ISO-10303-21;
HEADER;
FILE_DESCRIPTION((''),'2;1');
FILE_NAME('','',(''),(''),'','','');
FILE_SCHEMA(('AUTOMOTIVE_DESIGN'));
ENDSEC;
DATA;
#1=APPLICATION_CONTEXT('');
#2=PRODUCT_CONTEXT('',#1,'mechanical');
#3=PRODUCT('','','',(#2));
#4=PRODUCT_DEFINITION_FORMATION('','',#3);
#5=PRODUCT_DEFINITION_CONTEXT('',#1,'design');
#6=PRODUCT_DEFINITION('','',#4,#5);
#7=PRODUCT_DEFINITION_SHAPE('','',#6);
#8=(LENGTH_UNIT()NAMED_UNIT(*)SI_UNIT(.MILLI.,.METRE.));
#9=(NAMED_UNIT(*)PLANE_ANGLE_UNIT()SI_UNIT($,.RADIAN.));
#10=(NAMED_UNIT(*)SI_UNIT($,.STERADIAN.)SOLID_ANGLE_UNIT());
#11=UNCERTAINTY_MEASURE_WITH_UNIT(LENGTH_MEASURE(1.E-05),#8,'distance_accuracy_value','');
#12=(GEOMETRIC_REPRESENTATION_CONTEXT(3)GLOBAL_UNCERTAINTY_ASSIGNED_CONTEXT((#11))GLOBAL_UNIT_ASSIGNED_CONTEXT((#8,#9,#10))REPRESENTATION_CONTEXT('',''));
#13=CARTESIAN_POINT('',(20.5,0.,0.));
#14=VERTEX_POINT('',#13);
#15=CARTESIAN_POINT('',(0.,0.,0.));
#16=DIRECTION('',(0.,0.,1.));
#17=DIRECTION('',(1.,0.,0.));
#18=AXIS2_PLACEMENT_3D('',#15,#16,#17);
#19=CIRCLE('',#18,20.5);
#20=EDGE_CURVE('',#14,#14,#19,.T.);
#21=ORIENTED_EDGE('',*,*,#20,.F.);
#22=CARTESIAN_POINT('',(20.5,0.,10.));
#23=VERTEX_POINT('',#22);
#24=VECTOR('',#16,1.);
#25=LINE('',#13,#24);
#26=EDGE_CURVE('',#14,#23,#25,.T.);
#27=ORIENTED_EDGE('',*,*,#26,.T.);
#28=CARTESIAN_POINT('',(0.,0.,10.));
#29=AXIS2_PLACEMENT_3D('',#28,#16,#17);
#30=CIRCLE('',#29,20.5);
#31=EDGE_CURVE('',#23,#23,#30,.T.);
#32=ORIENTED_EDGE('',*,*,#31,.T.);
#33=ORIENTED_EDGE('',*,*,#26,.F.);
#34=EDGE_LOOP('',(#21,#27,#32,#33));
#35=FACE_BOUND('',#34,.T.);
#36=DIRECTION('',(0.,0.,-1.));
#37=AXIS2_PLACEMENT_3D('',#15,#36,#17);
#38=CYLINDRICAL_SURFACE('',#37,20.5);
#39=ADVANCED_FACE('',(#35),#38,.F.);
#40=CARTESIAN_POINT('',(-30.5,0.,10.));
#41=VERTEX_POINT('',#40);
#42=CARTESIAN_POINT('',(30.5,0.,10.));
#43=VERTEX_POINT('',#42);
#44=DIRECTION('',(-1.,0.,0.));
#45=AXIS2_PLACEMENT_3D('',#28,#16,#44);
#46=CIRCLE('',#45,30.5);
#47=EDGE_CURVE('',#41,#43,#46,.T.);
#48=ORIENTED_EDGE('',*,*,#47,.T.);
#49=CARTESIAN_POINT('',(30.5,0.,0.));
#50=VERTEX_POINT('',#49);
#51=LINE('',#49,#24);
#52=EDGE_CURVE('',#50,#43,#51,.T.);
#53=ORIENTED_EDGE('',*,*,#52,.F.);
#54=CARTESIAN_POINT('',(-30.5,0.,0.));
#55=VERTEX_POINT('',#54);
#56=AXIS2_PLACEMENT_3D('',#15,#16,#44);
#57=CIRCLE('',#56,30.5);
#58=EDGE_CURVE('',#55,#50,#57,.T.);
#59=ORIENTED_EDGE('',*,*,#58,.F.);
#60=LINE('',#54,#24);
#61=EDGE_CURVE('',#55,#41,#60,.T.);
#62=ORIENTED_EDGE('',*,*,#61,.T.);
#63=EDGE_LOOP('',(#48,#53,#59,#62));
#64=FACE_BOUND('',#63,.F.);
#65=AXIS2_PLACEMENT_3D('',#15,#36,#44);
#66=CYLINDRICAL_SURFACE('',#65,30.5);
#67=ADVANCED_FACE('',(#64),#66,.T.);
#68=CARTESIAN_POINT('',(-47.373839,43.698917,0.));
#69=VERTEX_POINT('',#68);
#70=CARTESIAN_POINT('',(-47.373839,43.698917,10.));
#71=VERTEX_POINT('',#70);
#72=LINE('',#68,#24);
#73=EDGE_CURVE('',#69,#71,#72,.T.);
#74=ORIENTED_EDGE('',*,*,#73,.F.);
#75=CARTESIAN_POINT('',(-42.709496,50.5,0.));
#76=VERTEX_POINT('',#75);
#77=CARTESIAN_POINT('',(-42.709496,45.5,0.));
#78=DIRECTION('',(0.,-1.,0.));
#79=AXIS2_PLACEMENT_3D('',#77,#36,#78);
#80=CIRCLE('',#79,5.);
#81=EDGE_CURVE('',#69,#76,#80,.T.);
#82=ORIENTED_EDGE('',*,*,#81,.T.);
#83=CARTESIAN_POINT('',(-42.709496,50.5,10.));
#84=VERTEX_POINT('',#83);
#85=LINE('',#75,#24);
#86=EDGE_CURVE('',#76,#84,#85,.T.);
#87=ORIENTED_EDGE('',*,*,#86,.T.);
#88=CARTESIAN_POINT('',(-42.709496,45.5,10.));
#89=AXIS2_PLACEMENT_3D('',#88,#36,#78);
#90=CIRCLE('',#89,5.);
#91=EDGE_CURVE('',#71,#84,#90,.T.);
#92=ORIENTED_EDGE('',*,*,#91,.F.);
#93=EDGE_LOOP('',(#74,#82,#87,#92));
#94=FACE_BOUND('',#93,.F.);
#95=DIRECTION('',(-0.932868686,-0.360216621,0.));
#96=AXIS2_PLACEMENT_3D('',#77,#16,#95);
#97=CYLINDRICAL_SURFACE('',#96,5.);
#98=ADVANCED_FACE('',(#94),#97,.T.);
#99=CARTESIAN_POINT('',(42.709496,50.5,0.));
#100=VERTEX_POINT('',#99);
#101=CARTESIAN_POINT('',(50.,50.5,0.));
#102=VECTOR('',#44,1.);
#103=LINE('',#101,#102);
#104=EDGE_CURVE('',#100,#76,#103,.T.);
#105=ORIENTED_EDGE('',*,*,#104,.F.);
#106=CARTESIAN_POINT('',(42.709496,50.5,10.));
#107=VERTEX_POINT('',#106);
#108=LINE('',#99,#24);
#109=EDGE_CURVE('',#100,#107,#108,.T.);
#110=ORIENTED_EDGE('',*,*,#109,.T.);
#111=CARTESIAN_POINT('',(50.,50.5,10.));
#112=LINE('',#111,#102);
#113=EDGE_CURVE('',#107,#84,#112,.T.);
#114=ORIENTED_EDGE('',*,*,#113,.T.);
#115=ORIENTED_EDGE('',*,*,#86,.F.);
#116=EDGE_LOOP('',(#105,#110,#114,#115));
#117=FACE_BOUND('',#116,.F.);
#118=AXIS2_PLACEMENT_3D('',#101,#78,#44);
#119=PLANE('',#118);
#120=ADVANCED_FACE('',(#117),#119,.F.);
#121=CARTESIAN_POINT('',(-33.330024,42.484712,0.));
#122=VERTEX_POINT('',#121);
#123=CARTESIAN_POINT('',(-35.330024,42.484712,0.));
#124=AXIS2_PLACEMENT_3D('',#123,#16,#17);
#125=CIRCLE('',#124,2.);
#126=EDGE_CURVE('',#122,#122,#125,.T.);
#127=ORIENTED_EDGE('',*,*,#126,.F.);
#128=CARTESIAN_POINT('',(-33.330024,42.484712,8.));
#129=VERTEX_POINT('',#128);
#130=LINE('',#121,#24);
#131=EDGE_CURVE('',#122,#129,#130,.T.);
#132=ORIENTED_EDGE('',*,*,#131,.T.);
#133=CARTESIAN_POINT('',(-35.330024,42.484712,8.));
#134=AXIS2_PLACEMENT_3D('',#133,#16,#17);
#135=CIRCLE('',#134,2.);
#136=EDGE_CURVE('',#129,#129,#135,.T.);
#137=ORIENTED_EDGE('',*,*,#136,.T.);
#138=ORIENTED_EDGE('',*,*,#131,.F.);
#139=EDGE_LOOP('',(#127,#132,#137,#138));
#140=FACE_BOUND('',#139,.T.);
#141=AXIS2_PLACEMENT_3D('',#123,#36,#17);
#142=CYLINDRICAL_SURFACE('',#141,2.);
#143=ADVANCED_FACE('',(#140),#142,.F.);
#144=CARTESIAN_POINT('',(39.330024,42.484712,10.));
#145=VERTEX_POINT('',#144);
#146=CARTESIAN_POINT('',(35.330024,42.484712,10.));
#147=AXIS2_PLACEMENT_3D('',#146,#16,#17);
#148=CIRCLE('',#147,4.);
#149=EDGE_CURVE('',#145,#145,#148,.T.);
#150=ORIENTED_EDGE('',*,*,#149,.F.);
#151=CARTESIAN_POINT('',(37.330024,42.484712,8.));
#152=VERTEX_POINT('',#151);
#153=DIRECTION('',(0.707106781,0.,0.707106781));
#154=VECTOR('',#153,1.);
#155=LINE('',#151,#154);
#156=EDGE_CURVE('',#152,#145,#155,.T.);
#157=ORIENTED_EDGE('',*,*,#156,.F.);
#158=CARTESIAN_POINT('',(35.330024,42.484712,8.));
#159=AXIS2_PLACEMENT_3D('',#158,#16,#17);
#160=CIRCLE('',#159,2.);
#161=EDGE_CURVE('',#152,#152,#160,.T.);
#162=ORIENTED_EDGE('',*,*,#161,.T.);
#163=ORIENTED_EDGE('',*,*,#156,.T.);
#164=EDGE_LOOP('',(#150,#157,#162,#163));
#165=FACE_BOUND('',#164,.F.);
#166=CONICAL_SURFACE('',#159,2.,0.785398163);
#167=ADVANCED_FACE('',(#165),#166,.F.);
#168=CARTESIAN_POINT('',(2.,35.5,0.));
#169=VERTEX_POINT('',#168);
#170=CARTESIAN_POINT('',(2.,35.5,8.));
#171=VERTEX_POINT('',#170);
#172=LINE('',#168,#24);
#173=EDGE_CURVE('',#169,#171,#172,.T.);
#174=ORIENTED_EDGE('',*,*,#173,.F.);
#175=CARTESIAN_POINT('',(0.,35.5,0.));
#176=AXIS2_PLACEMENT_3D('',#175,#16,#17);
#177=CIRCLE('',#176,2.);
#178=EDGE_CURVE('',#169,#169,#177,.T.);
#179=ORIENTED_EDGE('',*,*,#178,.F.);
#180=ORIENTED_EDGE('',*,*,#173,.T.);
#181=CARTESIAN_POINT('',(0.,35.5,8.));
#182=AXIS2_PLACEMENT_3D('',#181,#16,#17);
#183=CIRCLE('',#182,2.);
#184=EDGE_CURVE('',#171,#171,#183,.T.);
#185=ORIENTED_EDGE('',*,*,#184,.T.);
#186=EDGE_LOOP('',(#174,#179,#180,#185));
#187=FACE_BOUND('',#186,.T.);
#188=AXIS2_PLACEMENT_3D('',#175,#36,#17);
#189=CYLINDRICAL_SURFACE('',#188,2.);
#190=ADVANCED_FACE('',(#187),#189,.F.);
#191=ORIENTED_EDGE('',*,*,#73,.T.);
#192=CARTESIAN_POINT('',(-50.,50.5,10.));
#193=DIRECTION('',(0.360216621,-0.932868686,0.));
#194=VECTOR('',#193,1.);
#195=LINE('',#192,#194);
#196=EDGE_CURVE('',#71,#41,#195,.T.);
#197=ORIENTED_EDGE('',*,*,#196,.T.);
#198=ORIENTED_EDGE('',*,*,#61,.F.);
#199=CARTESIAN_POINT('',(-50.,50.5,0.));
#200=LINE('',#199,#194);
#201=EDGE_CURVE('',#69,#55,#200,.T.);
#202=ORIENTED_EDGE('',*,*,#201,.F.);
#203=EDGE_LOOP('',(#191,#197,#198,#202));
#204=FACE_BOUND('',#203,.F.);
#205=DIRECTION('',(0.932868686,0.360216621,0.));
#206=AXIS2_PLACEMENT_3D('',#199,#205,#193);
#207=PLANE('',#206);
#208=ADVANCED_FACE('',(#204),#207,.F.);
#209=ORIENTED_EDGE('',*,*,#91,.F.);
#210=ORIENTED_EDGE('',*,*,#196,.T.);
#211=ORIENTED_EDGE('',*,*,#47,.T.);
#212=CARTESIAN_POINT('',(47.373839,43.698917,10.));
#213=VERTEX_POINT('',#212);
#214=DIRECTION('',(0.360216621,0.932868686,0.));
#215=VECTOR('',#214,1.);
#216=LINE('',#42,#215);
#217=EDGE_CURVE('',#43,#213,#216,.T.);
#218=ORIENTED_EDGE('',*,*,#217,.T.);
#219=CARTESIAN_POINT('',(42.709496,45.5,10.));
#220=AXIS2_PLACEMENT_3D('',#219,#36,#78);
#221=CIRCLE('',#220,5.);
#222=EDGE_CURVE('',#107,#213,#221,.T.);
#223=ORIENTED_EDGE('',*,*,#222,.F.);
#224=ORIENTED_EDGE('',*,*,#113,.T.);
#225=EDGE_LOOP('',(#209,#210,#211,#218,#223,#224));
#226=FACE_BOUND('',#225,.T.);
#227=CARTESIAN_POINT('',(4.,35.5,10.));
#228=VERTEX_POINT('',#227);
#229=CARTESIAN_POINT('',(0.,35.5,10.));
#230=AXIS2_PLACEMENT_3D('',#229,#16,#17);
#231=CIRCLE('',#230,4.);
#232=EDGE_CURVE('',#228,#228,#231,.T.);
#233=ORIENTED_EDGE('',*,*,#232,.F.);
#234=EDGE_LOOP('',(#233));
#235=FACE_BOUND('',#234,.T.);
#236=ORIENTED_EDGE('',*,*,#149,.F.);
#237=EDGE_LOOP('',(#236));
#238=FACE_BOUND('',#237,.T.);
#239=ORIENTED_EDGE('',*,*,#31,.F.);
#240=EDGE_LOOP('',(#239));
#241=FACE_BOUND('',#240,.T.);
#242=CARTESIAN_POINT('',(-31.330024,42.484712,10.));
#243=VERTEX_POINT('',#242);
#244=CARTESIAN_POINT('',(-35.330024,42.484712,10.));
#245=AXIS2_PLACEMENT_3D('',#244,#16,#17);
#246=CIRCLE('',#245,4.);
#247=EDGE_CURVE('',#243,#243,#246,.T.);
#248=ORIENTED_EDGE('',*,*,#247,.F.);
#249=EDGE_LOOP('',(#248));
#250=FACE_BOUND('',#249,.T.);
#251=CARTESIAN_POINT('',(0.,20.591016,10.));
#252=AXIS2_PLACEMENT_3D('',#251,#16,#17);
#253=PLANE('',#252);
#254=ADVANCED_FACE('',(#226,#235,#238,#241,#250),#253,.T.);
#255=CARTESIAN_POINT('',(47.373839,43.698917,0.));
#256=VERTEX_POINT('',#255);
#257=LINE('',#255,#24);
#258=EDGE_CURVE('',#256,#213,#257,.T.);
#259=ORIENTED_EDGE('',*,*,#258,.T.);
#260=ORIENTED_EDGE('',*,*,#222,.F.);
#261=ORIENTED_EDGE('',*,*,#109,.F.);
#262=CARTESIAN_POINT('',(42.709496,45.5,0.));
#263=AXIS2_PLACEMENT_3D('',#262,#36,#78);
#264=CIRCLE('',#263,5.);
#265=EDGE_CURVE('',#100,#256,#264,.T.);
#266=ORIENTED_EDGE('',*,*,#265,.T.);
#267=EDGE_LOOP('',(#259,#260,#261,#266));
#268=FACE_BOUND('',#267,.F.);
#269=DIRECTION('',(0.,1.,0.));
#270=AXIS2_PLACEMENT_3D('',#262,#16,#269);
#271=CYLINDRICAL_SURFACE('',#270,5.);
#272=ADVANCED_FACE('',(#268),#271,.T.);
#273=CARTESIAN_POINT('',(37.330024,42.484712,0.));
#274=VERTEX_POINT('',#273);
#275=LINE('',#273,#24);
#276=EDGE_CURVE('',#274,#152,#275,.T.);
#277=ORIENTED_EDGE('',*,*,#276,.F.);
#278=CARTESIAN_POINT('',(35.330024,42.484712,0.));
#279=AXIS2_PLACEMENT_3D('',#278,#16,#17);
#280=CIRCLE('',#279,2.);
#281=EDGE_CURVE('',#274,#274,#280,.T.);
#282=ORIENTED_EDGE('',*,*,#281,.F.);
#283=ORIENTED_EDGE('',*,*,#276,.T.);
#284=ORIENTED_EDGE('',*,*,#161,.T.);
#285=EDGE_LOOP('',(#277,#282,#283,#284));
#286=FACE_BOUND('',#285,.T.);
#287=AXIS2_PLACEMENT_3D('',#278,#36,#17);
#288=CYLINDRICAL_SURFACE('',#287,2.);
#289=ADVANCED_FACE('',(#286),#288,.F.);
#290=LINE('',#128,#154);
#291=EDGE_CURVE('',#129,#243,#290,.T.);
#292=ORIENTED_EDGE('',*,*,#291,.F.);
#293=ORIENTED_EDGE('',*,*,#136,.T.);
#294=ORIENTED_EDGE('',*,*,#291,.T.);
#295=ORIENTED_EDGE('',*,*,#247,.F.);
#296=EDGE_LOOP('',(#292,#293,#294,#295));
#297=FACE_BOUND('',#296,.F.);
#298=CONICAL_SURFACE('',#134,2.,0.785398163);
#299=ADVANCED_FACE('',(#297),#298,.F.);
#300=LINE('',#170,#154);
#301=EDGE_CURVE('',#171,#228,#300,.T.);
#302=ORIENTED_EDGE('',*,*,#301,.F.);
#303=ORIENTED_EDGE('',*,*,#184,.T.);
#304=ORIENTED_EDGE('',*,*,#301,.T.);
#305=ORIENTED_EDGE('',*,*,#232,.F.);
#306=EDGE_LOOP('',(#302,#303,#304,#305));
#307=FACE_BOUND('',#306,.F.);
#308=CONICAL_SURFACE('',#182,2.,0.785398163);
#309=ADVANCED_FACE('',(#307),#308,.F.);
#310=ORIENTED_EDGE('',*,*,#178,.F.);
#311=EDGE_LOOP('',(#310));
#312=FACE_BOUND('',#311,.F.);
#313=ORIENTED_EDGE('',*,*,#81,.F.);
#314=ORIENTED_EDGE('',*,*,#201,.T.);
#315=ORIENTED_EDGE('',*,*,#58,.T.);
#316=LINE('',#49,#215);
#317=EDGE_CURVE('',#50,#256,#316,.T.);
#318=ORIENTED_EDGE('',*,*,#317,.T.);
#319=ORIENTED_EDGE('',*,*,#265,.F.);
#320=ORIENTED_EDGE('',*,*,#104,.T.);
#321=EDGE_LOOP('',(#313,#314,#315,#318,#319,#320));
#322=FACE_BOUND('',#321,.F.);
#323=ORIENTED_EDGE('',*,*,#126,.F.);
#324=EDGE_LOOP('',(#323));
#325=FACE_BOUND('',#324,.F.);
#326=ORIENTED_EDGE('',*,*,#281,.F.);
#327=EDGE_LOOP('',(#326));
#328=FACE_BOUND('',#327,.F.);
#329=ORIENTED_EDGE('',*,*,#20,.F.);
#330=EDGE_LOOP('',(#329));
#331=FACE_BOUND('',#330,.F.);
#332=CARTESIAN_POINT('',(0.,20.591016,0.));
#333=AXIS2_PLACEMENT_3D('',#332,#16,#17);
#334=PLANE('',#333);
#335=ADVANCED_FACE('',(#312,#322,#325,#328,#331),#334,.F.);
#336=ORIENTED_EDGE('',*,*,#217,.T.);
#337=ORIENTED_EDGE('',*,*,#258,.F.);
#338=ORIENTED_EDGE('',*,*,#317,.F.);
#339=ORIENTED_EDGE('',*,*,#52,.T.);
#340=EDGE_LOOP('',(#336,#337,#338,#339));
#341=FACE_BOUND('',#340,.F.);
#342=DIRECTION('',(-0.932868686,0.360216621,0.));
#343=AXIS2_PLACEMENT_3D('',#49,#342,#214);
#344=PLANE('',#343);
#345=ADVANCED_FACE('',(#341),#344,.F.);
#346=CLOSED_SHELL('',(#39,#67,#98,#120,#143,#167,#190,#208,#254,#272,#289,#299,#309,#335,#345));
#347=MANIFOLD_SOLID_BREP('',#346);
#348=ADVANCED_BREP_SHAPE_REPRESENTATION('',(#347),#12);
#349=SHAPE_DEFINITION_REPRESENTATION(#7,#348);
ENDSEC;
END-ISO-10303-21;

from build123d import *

# Parameters (mm, degrees)
F0_R     = 20.5
F0_R_2   = 2
F1_DEPTH = 10
F2_SIZE  = 2
F3_R     = 5


with BuildPart() as f1:
    # F0 (on Top) → F1 (new body)
    with BuildSketch(Plane.XY):
        with BuildLine():
            Line((-50, 50.5), (-30.5, 0))
            ThreePointArc((-30.5, 0), (0, -30.5), (30.5, 0))
            Line((30.5, 0), (50, 50.5))
            Line((50, 50.5), (-50, 50.5))
        make_face()
        Circle(F0_R, mode=Mode.SUBTRACT)
        with Locations((-35.330024, 42.484712)):
            Circle(F0_R_2, mode=Mode.SUBTRACT)
        with Locations((0, 35.5)):
            Circle(F0_R_2, mode=Mode.SUBTRACT)
        with Locations((35.330024, 42.484712)):
            Circle(F0_R_2, mode=Mode.SUBTRACT)
    extrude(amount=F1_DEPTH)

    # F2
    f2_edges = [f1.edges().sort_by_distance(p)[0] for p in [
        (-37.330024, 42.484712, 10),
        (-2, 35.5, 10),
        (33.330024, 42.484712, 10),
    ]]
    chamfer(f2_edges, length=F2_SIZE)

    # F3
    f3_edges = [f1.edges().sort_by_distance(p)[0] for p in [
        (50, 50.5, 5),
        (-50, 50.5, 5),
    ]]
    fillet(f3_edges, radius=F3_R)


solid = f1.part
